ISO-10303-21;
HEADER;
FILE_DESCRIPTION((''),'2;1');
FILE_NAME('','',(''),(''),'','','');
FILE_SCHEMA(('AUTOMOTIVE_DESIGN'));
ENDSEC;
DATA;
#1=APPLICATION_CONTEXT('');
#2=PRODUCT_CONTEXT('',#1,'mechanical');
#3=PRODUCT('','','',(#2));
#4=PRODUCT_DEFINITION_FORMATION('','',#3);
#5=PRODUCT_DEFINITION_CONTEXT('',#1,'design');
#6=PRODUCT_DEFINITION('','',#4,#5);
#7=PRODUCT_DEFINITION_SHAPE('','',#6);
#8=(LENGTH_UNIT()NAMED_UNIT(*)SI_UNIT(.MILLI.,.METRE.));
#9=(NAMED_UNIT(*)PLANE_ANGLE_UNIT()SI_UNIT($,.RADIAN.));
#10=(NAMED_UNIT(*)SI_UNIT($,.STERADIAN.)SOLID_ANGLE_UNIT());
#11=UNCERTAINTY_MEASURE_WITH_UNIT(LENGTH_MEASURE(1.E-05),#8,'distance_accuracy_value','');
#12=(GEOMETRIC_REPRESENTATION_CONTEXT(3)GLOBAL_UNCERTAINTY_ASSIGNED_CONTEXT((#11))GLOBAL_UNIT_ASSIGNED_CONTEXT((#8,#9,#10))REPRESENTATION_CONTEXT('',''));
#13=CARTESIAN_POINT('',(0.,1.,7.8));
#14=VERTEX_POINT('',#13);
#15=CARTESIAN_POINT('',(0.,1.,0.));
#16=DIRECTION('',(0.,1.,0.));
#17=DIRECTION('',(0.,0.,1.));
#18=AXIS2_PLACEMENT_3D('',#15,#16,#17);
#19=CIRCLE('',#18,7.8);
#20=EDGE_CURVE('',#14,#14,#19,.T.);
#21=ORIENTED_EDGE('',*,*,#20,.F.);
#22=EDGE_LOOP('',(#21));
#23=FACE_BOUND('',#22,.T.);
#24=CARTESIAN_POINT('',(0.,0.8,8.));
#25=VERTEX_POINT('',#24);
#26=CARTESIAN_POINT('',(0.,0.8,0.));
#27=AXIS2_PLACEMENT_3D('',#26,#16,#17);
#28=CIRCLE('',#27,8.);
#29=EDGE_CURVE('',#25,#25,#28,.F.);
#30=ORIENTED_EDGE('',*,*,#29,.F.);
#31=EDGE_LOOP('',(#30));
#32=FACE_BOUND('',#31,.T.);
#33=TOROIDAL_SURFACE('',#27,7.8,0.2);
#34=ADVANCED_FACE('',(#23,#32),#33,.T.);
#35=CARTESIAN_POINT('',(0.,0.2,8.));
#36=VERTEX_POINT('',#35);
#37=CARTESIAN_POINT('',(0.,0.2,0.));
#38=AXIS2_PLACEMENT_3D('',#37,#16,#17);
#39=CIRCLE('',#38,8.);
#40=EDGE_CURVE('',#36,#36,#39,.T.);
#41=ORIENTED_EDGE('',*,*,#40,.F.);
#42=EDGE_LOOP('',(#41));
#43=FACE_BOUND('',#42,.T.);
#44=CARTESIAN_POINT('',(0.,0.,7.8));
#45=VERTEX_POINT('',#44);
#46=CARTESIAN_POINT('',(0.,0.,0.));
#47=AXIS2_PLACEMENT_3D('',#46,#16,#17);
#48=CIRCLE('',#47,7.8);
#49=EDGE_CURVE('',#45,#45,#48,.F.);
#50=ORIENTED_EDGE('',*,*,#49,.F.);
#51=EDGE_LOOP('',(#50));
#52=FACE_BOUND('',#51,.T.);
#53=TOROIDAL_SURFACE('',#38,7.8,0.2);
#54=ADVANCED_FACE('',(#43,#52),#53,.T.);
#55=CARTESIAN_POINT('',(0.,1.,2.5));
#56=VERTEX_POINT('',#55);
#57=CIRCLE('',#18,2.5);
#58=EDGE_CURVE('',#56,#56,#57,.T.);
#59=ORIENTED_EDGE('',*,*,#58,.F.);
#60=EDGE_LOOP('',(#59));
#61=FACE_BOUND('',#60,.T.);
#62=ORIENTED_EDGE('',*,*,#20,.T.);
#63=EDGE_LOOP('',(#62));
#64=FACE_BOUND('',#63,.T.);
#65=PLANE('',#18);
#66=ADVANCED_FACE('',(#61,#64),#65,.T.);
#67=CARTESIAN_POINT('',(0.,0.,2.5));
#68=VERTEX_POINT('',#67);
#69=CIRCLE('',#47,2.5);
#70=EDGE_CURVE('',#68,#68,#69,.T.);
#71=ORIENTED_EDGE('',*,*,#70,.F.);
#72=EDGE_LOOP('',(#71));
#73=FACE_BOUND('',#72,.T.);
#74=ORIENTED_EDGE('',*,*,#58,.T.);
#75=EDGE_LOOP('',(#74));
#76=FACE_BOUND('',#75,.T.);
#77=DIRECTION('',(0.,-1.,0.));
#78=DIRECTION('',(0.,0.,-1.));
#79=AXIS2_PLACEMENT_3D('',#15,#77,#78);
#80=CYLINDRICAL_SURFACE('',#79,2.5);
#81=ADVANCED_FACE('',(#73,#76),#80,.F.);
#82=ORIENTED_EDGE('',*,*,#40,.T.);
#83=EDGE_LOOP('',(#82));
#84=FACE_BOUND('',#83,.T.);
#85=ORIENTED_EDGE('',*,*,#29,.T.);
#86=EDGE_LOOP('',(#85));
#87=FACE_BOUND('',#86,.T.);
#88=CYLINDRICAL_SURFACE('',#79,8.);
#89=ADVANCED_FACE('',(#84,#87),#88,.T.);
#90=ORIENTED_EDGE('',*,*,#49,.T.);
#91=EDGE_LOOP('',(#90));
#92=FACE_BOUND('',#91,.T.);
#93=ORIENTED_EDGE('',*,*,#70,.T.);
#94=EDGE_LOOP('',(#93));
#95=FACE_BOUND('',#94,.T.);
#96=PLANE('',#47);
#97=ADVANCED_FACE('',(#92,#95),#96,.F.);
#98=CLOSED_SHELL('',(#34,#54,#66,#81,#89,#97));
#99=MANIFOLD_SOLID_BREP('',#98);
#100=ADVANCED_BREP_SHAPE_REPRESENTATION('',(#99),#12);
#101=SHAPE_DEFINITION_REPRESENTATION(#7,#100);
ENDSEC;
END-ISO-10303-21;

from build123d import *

# Parameters (mm, degrees)
SKETCH1_R           = 8
SKETCH1_R_2         = 2.5
BOSS_EXTRUDE1_DEPTH = 1
FILLET1_R           = 0.2


with BuildPart() as part:
    # Sketch1 → Boss-Extrude1 (new body)
    with BuildSketch(Plane(origin=(0, 0, 0), x_dir=(1, 0, 0), z_dir=(0, 1, 0))):
        with Locations(Location((0, 0, 0), (0, 0, 270))):
            Circle(SKETCH1_R)
        with Locations(Location((0, 0, 0), (0, 0, 270))):
            Circle(SKETCH1_R_2, mode=Mode.SUBTRACT)
    extrude(amount=BOSS_EXTRUDE1_DEPTH)

    # Fillet1
    fillet1_edges = [part.edges().sort_by_distance(p)[0] for p in [
        (0, 0, -8),
        (0, 1, -8),
    ]]
    fillet(fillet1_edges, radius=FILLET1_R)


solid = part.part
